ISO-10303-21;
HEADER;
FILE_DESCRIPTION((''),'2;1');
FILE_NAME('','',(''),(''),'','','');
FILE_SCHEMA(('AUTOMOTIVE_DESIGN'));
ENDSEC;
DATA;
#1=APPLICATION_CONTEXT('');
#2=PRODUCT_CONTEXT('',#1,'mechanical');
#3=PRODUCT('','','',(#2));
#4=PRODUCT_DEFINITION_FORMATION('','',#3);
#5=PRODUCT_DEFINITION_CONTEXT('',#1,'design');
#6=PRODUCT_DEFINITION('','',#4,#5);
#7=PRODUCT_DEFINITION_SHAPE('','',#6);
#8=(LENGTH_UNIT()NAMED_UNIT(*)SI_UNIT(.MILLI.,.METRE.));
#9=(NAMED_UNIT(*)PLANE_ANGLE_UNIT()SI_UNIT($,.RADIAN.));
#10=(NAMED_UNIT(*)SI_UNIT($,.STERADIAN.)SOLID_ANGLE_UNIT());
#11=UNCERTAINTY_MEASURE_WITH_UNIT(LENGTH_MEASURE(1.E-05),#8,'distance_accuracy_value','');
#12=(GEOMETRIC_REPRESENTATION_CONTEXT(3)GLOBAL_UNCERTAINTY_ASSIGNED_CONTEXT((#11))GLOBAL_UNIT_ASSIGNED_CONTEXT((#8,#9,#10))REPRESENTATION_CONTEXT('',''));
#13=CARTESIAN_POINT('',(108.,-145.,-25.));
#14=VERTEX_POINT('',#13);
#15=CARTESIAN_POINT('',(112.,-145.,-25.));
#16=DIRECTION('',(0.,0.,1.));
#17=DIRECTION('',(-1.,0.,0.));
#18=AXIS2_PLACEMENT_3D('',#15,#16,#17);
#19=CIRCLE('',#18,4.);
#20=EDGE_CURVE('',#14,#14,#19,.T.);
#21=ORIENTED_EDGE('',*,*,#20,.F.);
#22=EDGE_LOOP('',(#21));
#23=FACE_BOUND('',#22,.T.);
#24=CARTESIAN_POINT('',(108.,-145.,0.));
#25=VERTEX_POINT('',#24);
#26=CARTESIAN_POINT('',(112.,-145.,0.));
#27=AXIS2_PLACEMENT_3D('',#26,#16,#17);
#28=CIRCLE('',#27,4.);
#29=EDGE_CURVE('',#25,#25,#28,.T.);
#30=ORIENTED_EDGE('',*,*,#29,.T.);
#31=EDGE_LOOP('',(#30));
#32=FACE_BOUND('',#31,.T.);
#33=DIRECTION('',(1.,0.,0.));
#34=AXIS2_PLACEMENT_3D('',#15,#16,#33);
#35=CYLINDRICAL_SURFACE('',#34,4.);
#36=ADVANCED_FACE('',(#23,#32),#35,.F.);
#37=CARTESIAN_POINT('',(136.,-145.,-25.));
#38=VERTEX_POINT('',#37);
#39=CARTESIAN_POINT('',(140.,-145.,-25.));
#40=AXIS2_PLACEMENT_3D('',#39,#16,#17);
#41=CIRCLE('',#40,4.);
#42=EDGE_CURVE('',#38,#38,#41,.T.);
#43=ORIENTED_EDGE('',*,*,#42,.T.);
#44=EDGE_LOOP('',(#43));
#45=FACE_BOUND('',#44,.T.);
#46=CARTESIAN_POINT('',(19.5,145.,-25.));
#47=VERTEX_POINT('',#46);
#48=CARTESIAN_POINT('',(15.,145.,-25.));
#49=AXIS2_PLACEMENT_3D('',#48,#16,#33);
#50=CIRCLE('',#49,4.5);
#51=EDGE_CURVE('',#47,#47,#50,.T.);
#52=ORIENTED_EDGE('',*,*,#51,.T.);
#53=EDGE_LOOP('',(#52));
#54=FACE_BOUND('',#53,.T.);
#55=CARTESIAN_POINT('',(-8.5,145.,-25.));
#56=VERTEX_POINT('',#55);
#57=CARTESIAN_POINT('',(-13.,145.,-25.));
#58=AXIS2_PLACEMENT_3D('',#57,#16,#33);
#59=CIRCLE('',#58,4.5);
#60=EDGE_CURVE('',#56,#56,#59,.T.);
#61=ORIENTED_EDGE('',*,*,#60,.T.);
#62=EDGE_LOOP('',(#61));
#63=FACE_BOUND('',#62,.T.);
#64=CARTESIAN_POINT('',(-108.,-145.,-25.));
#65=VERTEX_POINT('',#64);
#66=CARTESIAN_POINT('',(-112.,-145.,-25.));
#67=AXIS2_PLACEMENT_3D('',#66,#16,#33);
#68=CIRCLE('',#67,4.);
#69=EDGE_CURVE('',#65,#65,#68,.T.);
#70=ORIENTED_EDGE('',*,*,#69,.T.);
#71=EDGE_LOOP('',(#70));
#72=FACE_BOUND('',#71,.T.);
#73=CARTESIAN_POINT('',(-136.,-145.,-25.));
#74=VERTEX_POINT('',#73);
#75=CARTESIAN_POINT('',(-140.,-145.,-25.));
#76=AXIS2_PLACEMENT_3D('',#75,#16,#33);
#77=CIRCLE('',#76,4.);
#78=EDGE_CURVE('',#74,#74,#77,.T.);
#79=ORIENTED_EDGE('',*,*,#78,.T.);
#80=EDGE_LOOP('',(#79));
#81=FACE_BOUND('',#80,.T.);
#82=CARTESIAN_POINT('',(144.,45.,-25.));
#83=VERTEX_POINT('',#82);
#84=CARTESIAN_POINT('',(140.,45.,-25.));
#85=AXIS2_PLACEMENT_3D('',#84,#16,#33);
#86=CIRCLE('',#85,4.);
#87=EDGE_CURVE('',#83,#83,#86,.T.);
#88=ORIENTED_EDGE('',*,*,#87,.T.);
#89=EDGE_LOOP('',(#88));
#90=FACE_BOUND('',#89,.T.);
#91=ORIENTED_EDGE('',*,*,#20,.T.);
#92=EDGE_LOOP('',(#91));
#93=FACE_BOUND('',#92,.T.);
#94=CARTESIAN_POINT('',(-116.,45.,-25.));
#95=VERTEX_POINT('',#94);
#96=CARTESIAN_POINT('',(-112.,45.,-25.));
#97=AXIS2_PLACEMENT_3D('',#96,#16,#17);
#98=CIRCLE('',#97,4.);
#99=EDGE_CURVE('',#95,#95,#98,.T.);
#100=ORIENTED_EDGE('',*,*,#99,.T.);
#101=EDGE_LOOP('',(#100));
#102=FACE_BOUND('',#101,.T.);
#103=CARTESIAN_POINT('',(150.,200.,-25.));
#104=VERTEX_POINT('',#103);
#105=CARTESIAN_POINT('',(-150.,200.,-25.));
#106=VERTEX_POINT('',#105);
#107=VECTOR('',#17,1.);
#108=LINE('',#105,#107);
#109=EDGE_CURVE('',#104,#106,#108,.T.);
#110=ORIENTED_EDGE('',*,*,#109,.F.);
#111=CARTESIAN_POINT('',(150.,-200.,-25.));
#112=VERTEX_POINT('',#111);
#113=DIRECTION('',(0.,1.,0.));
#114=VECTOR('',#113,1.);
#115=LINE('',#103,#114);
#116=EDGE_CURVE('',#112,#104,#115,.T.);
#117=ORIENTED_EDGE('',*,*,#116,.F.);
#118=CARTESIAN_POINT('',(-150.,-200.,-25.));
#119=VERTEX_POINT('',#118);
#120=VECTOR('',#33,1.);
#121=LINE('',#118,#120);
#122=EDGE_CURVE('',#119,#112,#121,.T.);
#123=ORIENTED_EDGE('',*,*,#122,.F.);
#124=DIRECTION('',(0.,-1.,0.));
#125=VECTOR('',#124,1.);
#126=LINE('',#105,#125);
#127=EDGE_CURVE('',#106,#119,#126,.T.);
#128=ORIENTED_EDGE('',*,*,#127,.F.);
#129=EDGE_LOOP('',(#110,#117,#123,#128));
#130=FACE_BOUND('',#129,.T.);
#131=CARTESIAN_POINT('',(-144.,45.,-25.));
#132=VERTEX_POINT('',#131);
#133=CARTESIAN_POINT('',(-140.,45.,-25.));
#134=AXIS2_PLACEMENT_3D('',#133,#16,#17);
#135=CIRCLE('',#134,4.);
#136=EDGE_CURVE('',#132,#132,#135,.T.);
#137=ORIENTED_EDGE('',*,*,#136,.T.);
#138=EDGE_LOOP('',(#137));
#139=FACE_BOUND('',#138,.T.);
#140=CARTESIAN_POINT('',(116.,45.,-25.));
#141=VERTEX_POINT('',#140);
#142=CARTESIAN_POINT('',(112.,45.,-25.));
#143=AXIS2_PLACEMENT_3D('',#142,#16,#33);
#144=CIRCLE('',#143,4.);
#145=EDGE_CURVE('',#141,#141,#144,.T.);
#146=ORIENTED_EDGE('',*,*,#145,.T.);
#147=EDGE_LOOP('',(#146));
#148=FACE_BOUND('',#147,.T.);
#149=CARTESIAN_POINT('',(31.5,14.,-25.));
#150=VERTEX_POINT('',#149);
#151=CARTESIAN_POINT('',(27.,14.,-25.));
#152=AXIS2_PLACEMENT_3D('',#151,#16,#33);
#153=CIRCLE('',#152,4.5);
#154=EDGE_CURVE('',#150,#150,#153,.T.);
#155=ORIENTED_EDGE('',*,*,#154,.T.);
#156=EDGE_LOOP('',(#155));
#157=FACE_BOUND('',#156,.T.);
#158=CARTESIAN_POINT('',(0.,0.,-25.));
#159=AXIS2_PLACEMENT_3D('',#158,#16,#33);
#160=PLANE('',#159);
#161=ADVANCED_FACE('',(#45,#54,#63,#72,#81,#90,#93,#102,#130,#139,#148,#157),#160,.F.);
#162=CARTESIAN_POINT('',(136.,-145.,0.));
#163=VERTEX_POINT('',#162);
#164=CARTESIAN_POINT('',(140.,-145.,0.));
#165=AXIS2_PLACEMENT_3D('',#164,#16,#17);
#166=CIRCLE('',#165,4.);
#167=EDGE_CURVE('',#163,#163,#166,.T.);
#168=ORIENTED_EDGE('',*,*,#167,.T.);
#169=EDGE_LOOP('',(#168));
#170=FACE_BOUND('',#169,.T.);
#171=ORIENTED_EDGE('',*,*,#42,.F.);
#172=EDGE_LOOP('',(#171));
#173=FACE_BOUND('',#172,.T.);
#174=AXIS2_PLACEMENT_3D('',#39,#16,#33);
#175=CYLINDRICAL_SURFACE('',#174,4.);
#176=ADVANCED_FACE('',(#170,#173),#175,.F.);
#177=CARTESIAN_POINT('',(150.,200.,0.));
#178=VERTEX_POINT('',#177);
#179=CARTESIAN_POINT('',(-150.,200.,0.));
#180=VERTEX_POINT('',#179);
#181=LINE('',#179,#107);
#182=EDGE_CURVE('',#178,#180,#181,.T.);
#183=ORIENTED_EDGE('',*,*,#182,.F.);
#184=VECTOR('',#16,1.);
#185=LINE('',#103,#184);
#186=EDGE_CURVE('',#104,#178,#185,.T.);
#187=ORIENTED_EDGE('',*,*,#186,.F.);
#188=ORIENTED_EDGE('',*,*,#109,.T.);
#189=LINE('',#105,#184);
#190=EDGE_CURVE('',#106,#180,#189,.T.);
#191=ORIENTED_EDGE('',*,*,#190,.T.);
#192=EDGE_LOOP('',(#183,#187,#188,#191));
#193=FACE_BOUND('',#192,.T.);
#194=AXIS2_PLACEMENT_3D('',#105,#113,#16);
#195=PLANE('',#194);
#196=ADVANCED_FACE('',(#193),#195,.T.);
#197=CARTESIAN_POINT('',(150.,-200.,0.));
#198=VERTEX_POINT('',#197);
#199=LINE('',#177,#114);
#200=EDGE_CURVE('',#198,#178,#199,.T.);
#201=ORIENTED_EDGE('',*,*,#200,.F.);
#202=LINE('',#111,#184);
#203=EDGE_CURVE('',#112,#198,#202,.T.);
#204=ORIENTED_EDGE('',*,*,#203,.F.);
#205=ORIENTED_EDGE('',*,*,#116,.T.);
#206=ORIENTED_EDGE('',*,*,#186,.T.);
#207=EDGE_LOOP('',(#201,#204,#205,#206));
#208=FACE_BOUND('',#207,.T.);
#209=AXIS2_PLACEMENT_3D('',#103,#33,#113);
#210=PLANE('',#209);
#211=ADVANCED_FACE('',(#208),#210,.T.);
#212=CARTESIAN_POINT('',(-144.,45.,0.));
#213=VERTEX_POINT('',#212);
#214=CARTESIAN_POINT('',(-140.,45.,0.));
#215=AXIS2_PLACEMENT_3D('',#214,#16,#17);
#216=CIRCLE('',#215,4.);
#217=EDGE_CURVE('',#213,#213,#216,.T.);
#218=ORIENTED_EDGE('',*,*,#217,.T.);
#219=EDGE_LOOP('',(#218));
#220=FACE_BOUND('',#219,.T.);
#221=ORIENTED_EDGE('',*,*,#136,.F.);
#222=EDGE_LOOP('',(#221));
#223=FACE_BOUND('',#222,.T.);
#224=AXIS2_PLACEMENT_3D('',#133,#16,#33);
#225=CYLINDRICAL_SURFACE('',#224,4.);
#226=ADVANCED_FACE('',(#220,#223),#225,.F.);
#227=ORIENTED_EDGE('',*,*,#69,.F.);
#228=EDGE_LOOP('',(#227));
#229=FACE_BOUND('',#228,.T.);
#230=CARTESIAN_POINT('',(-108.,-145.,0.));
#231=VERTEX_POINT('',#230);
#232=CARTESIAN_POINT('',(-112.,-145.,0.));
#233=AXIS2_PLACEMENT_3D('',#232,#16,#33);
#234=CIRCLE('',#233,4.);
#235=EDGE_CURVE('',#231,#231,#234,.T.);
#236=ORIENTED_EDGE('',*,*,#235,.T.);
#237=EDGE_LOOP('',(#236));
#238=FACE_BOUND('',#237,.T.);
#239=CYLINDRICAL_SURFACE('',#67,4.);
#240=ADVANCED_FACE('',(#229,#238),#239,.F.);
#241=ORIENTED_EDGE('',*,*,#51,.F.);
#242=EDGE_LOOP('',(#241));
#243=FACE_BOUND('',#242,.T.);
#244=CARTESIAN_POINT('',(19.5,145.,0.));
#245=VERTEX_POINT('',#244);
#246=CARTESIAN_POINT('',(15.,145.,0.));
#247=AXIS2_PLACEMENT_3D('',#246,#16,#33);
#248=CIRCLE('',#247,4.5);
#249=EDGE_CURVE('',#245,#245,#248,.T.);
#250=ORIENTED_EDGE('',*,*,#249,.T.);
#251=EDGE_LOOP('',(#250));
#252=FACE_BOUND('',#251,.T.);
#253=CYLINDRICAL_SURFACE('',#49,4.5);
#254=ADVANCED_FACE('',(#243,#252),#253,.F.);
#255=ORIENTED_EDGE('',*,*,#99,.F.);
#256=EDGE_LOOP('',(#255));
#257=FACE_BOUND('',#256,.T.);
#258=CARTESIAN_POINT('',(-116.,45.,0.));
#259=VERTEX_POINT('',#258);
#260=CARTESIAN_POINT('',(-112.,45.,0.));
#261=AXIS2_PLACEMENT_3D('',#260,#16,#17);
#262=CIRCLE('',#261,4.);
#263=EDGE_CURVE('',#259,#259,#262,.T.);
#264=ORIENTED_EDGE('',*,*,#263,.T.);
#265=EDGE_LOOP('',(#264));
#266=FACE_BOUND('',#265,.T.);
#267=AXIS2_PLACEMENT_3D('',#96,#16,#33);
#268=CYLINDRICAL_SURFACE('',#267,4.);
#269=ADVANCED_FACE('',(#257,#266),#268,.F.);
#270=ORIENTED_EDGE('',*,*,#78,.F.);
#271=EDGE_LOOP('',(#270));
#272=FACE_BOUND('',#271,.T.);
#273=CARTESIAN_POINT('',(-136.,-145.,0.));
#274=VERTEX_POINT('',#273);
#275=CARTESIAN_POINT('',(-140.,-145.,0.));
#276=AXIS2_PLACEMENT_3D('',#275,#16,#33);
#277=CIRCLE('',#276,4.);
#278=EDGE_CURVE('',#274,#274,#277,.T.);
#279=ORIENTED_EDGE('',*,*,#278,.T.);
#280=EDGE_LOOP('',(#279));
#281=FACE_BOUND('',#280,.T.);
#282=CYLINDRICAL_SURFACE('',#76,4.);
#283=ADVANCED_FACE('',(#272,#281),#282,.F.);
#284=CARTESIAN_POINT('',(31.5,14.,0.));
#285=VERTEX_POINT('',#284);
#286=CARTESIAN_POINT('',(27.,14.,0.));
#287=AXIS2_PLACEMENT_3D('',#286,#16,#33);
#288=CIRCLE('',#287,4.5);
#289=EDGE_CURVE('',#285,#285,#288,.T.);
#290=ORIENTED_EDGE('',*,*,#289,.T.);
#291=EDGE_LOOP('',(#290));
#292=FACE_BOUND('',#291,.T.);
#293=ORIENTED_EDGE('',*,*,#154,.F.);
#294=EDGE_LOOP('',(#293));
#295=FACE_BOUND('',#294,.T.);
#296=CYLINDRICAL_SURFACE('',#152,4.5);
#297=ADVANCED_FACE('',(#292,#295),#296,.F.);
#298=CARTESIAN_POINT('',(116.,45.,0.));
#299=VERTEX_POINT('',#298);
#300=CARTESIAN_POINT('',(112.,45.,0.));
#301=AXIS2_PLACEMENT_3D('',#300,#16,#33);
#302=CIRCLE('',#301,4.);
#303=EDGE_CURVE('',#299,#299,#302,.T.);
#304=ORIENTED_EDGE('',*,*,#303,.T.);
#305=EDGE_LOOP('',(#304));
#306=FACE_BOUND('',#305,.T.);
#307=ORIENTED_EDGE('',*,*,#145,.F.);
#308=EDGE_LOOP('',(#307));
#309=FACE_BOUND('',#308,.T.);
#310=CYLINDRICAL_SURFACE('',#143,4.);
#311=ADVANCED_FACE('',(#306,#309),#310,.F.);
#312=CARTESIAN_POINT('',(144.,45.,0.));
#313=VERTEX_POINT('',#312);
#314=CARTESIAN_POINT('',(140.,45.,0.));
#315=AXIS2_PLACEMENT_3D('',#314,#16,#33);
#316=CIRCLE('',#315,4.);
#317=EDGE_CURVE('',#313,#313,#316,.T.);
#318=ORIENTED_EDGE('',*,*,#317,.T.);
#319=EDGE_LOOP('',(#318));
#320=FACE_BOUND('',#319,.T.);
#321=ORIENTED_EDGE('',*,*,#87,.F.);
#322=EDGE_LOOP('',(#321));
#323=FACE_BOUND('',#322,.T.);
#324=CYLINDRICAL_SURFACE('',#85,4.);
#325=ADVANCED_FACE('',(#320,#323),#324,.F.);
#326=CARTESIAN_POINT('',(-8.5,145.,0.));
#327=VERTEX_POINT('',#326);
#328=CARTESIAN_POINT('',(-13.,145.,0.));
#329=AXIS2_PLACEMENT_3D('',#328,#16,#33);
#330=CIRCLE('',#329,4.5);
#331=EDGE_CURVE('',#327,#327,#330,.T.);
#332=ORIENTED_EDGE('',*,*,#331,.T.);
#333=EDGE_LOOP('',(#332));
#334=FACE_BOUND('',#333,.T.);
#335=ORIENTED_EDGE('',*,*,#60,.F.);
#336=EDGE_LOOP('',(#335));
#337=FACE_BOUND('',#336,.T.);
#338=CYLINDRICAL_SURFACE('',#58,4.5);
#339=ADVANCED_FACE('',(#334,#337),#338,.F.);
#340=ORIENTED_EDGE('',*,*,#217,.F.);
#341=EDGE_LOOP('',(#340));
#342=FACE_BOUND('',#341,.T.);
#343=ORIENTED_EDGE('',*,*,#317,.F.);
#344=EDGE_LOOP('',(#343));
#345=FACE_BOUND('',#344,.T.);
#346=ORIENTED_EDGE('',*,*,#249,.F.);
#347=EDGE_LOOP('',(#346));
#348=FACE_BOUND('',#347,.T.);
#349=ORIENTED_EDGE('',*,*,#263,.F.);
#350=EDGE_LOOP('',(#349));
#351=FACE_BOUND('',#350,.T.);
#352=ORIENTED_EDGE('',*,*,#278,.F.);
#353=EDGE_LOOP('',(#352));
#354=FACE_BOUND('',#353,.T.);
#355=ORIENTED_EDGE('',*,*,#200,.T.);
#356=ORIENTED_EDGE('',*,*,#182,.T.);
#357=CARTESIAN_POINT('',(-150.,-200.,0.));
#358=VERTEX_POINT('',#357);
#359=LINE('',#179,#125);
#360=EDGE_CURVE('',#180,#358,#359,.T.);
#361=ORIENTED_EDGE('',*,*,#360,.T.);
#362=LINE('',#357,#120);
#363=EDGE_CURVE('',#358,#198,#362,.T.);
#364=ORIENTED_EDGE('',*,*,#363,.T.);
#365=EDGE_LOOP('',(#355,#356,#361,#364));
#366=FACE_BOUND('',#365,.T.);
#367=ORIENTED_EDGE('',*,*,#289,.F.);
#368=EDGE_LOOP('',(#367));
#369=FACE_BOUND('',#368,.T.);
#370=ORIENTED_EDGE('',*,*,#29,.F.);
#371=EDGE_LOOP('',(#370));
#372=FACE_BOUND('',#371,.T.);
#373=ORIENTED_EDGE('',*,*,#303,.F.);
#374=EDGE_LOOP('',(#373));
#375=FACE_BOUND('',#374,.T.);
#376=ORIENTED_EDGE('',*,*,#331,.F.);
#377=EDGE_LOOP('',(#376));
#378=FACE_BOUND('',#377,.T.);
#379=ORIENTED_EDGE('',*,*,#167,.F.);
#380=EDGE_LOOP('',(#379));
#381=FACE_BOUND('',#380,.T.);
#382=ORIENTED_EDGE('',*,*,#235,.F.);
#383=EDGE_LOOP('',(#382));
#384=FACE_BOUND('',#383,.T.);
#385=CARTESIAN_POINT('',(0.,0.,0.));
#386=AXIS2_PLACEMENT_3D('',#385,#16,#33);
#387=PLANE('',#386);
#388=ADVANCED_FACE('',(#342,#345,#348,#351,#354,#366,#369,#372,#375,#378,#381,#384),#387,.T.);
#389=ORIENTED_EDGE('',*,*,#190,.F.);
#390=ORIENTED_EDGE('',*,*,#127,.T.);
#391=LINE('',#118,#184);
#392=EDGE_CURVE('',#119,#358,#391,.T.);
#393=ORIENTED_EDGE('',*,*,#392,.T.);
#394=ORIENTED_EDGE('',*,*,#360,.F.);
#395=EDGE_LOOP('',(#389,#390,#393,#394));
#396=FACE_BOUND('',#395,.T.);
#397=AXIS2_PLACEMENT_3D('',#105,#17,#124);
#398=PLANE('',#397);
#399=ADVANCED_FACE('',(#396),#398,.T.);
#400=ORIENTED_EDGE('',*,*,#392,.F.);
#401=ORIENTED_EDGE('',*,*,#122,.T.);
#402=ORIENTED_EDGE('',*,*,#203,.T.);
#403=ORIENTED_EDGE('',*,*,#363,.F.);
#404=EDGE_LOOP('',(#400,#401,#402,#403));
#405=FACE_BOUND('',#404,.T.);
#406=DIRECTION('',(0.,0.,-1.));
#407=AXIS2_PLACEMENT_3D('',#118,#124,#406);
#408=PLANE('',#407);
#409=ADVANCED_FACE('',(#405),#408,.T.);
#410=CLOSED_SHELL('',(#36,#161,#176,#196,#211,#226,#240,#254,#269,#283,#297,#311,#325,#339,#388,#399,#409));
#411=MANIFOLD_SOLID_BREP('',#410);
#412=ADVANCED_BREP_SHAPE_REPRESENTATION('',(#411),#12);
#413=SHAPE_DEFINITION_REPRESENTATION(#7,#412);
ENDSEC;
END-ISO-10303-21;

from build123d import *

# Parameters (mm, degrees)
SKETCH1_W           = 300
SKETCH1_H           = 400
SKETCH1_R           = 4
SKETCH1_R_2         = 4.5
BOSS_EXTRUDE1_DEPTH = 25


with BuildPart() as part:
    # Sketch1 → Boss-Extrude1 (new body)
    with BuildSketch(Plane.XY):
        Rectangle(SKETCH1_W, SKETCH1_H)
        with Locations((-112, -145)):
            Circle(SKETCH1_R, mode=Mode.SUBTRACT)
        with Locations((-140, -145)):
            Circle(SKETCH1_R, mode=Mode.SUBTRACT)
        with Locations(Location((112, -145, 0), (0, 0, 180))):
            Circle(SKETCH1_R, mode=Mode.SUBTRACT)
        with Locations(Location((140, -145, 0), (0, 0, 180))):
            Circle(SKETCH1_R, mode=Mode.SUBTRACT)
        with Locations((15, 145)):
            Circle(SKETCH1_R_2, mode=Mode.SUBTRACT)
        with Locations((-13, 145)):
            Circle(SKETCH1_R_2, mode=Mode.SUBTRACT)
        with Locations((27, 14)):
            Circle(SKETCH1_R_2, mode=Mode.SUBTRACT)
        with Locations((140, 45)):
            Circle(SKETCH1_R, mode=Mode.SUBTRACT)
        with Locations((112, 45)):
            Circle(SKETCH1_R, mode=Mode.SUBTRACT)
        with Locations(Location((-112, 45, 0), (0, 0, 180))):
            Circle(SKETCH1_R, mode=Mode.SUBTRACT)
        with Locations(Location((-140, 45, 0), (0, 0, 180))):
            Circle(SKETCH1_R, mode=Mode.SUBTRACT)
    extrude(amount=-BOSS_EXTRUDE1_DEPTH)


solid = part.part
